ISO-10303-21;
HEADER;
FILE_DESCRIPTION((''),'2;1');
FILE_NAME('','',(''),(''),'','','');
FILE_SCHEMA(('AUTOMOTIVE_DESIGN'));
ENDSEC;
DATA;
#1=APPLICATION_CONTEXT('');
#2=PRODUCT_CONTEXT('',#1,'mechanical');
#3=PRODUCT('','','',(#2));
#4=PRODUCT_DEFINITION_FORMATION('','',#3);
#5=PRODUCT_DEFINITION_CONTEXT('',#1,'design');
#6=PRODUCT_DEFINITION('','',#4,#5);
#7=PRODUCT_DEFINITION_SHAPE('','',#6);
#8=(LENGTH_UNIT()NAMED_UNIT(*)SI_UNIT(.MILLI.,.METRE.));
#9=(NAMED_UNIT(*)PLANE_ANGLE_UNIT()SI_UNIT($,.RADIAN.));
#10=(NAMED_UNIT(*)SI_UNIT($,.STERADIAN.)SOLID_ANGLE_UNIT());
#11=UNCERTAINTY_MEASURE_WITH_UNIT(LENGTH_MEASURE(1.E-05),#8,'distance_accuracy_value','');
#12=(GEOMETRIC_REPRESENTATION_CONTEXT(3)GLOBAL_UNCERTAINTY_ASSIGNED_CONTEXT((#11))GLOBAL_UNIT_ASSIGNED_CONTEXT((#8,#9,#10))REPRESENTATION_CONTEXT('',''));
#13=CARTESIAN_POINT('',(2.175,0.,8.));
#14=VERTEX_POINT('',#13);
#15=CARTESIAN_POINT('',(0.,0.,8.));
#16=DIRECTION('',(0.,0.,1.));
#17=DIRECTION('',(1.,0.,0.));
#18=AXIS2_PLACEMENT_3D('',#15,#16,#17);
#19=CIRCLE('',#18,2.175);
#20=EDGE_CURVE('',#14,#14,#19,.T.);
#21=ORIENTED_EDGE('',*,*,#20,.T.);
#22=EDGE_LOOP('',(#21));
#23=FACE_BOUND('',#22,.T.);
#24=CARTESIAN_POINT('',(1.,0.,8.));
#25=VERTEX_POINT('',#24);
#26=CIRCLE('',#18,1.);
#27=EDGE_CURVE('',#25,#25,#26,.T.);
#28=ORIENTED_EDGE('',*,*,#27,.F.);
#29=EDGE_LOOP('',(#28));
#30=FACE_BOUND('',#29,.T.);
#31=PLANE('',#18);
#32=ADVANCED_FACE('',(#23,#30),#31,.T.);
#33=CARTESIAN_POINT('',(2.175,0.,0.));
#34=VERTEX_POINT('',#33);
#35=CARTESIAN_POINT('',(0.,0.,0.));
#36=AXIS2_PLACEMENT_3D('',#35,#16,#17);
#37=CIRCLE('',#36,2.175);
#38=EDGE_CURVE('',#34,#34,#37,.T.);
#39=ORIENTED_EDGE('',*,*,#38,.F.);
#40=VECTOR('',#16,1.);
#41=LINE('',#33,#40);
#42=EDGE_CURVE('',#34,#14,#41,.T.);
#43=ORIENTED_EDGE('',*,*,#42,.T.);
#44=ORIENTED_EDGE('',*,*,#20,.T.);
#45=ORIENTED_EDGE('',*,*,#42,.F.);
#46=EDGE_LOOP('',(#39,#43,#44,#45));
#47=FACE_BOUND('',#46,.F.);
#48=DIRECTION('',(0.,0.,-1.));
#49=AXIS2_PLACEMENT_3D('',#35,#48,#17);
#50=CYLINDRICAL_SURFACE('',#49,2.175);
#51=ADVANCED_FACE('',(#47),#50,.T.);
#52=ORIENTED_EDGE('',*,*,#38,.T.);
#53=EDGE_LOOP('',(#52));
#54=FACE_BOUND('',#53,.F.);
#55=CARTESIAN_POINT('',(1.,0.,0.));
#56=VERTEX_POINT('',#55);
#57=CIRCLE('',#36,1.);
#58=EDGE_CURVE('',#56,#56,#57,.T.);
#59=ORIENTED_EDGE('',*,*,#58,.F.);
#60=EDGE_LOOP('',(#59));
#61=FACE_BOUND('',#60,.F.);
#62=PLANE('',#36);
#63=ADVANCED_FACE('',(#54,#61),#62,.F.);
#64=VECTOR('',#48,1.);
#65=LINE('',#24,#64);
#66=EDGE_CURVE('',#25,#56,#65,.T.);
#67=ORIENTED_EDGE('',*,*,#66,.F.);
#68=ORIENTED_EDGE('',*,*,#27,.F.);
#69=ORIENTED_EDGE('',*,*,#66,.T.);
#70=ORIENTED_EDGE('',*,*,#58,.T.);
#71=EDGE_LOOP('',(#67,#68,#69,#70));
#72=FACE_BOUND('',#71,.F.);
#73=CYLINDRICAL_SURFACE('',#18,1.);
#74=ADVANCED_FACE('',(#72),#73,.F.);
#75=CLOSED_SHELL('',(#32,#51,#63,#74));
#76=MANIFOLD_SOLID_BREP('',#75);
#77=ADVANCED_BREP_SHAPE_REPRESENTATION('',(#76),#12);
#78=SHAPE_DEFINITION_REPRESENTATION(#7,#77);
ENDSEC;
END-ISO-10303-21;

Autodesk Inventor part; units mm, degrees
ref_plane "YZ Plane" through (0, 0, 0) normal (1, 0, 0) x (0, 1, 0)
ref_plane "XZ Plane" through (0, 0, 0) normal (0, 1, 0) x (-1, 0, 0)
ref_plane "XY Plane" through (0, 0, 0) normal (0, 0, 1) x (1, 0, 0)
sketch "Sketch1" plane through (0, 0, 0) normal (0, 0, 1) x (1, 0, 0)
  circle A0 centre (0, 0) radius 2.175
  dimension "d0" = 4.35
extrude "Extrusion1" add sketch "Sketch1" along normal blind 8
sketch "Sketch2" plane through (0, 0, 8) normal (0, 0, 1) x (1, 0, 0)
  circle A0 centre (0, 0) radius 1
  dimension "d4" = 2
extrude "Extrusion2" cut sketch "Sketch2" against normal through all
thread "Thread1" size "M2x0.4" class "6H" standard "ISO Metric profile" full length
properties part number "P003-Entretoise-M2"
